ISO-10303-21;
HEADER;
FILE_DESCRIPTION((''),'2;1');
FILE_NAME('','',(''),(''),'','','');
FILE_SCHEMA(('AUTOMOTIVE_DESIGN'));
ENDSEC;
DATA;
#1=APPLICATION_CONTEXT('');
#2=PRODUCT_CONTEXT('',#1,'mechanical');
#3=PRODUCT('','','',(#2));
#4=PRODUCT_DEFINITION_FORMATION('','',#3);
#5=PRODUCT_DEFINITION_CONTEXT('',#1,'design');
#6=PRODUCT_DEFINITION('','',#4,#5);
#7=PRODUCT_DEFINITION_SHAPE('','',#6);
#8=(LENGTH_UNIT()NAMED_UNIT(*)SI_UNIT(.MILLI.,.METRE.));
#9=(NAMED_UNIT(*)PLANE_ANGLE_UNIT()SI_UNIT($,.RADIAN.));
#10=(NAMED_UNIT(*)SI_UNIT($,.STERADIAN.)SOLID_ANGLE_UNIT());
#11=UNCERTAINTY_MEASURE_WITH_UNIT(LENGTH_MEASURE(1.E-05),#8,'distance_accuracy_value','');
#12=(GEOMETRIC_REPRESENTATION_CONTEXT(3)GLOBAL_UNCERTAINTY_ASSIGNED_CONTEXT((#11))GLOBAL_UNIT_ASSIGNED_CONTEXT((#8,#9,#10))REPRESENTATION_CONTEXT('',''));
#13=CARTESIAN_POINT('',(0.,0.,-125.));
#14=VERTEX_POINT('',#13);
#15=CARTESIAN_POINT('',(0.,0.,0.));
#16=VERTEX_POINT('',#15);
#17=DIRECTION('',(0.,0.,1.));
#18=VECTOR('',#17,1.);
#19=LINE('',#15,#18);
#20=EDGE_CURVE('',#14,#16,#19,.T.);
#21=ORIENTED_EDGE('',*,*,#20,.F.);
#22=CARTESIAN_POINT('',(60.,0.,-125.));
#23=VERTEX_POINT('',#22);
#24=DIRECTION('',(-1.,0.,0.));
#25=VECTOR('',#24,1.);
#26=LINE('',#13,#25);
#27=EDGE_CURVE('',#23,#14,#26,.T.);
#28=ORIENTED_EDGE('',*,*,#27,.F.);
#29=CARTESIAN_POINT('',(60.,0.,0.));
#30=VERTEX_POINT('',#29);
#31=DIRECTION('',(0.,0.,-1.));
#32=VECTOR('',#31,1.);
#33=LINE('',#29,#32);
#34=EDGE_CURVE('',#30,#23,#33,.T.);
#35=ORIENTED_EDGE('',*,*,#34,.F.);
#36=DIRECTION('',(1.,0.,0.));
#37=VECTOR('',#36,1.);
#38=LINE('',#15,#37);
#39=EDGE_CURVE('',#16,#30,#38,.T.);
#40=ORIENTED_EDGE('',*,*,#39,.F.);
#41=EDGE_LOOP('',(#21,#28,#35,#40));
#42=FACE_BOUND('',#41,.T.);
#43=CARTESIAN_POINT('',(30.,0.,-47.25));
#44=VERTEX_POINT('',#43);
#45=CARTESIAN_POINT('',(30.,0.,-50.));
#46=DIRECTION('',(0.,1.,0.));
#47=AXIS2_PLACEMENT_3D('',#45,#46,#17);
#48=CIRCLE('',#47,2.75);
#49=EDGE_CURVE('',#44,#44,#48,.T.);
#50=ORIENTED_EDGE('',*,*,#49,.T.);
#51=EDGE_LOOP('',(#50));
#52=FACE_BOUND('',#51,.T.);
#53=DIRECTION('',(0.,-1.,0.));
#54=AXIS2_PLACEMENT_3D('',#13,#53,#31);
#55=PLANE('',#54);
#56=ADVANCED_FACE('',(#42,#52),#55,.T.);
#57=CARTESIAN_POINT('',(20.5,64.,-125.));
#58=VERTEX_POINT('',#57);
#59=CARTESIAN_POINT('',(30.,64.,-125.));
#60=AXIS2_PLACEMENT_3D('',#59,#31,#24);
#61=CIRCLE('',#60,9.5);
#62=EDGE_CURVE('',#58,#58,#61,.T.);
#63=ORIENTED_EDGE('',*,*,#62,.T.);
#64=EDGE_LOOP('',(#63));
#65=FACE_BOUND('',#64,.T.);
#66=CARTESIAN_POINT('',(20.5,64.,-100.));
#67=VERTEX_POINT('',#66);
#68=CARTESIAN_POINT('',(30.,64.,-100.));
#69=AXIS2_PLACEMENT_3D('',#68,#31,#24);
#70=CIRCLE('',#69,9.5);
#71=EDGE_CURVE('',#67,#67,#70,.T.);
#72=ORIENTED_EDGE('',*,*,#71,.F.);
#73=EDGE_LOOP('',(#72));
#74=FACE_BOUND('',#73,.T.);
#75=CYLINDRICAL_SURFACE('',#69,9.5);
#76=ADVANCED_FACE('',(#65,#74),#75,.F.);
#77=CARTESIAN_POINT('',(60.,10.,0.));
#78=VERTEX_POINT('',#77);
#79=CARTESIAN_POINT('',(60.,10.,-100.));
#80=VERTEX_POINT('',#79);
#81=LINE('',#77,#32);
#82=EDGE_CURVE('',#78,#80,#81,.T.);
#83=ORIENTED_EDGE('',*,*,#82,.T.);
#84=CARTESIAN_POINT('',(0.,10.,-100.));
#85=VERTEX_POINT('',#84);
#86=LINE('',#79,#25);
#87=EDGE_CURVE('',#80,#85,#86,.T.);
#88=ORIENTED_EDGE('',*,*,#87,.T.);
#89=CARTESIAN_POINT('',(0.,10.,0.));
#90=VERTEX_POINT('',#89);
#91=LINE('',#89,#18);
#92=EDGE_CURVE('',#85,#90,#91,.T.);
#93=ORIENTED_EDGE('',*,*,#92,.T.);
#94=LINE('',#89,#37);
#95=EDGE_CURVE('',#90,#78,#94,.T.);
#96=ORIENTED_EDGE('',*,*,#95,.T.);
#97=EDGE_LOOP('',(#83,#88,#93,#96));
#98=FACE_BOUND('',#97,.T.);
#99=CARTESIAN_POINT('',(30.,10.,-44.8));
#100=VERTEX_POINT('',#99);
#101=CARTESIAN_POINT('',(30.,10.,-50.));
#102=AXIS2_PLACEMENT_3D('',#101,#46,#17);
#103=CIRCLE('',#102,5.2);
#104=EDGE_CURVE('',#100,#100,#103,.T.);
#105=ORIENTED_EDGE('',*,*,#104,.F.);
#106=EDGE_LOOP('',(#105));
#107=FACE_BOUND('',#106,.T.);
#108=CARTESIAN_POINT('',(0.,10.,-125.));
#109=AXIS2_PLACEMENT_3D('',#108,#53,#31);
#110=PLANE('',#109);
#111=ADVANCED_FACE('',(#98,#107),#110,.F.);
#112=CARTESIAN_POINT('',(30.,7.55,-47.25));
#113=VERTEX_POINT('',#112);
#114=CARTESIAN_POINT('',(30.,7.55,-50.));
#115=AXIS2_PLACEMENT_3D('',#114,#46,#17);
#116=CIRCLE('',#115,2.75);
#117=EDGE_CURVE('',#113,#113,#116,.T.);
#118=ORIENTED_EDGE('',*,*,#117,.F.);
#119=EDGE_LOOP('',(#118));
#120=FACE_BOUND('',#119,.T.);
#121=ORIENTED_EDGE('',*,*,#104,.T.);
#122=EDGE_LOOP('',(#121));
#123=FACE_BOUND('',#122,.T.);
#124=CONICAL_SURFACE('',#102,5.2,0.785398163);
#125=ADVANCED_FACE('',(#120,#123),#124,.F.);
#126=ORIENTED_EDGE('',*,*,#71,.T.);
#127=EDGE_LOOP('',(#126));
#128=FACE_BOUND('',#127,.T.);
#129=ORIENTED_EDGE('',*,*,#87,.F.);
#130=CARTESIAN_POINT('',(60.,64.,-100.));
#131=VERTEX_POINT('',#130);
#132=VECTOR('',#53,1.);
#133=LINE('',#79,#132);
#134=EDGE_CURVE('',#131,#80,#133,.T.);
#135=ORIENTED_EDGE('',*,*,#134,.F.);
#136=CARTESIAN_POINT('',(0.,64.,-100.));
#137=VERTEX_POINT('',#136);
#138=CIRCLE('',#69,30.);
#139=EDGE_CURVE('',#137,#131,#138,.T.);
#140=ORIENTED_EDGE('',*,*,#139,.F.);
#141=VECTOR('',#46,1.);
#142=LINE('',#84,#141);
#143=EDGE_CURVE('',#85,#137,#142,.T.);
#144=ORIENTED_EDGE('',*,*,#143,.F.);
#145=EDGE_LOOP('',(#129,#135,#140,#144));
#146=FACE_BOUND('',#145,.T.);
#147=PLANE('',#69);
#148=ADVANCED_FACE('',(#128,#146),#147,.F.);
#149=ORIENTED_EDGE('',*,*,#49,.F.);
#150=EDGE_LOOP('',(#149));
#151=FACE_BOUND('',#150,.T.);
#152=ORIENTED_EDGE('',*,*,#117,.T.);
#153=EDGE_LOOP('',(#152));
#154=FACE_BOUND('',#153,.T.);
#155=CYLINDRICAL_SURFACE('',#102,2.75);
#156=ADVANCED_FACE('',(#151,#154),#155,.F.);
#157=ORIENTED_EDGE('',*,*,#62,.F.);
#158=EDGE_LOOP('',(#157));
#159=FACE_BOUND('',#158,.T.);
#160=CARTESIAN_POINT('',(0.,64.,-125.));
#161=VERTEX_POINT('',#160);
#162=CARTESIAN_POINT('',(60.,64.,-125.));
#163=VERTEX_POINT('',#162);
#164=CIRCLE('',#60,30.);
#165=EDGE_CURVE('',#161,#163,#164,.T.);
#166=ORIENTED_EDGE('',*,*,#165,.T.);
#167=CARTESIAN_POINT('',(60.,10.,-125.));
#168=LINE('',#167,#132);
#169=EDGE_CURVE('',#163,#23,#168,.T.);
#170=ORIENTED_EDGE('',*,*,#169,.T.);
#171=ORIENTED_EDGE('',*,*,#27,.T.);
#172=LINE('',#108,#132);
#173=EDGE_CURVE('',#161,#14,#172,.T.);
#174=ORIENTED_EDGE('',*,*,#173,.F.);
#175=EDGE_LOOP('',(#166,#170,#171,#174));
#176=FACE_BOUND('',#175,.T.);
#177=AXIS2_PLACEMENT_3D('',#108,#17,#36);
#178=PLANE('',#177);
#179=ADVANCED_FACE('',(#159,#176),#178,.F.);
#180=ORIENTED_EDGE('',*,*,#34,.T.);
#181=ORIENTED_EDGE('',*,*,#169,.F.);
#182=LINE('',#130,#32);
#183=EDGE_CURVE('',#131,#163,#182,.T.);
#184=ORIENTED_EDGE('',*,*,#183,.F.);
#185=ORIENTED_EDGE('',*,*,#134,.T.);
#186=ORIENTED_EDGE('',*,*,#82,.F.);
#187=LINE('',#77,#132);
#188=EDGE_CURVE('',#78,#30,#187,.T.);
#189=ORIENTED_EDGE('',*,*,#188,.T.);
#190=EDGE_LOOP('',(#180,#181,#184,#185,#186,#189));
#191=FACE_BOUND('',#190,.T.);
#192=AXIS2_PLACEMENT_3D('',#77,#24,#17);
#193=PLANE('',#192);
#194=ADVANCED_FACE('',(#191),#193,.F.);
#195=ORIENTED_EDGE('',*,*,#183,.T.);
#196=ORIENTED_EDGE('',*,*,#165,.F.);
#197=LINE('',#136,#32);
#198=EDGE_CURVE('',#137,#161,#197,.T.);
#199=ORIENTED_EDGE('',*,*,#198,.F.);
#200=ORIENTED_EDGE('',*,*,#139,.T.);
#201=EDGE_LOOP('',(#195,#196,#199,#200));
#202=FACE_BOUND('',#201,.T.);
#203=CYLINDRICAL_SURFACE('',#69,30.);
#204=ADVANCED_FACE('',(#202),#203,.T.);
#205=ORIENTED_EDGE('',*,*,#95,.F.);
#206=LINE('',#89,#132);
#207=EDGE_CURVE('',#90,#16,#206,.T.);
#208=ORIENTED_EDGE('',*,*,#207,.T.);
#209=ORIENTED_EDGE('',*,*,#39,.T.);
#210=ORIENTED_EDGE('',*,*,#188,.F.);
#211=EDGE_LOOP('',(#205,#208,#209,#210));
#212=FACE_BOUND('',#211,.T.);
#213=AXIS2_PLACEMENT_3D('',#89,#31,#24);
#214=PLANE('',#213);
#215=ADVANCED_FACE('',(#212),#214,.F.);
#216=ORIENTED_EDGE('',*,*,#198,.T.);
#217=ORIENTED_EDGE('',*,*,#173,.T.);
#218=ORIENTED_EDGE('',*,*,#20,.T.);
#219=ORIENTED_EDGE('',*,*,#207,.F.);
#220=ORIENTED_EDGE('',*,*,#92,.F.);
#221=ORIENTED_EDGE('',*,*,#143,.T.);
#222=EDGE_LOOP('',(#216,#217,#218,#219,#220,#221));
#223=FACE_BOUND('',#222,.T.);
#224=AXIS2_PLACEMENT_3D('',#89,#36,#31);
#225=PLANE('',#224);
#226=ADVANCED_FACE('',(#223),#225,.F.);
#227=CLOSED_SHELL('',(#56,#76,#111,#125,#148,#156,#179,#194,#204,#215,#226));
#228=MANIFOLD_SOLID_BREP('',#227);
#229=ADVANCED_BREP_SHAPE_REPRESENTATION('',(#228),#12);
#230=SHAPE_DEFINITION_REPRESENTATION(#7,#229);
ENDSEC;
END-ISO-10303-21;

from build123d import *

# Parameters (mm, degrees)
SKETCH1_W                                            = 60
SKETCH1_H                                            = 125
BOSS_EXTRUDE1_DEPTH                                  = 10
SKETCH2_R                                            = 9.5
BOSS_EXTRUDE2_DEPTH                                  = 25
CSK_FOR_M5_COUNTERSUNK_RAISED_HEAD_SCREW_D           = 5.5
CSK_FOR_M5_COUNTERSUNK_RAISED_HEAD_SCREW_CSINK_D     = 10.4
CSK_FOR_M5_COUNTERSUNK_RAISED_HEAD_SCREW_CSINK_ANGLE = 90


with BuildPart() as part:
    # Sketch1 → Boss-Extrude1 (new body)
    with BuildSketch(Plane(origin=(0, 0, 0), x_dir=(1, 0, 0), z_dir=(0, 1, 0))):
        with Locations((30, 62.5)):
            Rectangle(SKETCH1_W, SKETCH1_H)
    extrude(amount=BOSS_EXTRUDE1_DEPTH)

    # Sketch2 → Boss-Extrude2 (add)
    with BuildSketch(Plane(origin=(0, 0, -125), x_dir=(-1, 0, 0), z_dir=(0, 0, -1))):
        with BuildLine():
            Line((-60, 10), (0, 10))
            Line((0, 10), (0, 64))
            ThreePointArc((0, 64), (-30, 94), (-60, 64))
            Line((-60, 64), (-60, 10))
        make_face()
        with Locations((-30, 64)):
            Circle(SKETCH2_R, mode=Mode.SUBTRACT)
    extrude(amount=-BOSS_EXTRUDE2_DEPTH)

    # CSK for M5 Countersunk Raised Head Screw1 (through all)
    with Locations(Plane(origin=(30, 10, -50), x_dir=(0, 0, 1), z_dir=(0, 1, 0))):
        with Locations((0, 0)):
            CounterSinkHole(CSK_FOR_M5_COUNTERSUNK_RAISED_HEAD_SCREW_D / 2, CSK_FOR_M5_COUNTERSUNK_RAISED_HEAD_SCREW_CSINK_D / 2, counter_sink_angle=CSK_FOR_M5_COUNTERSUNK_RAISED_HEAD_SCREW_CSINK_ANGLE)


solid = part.part
